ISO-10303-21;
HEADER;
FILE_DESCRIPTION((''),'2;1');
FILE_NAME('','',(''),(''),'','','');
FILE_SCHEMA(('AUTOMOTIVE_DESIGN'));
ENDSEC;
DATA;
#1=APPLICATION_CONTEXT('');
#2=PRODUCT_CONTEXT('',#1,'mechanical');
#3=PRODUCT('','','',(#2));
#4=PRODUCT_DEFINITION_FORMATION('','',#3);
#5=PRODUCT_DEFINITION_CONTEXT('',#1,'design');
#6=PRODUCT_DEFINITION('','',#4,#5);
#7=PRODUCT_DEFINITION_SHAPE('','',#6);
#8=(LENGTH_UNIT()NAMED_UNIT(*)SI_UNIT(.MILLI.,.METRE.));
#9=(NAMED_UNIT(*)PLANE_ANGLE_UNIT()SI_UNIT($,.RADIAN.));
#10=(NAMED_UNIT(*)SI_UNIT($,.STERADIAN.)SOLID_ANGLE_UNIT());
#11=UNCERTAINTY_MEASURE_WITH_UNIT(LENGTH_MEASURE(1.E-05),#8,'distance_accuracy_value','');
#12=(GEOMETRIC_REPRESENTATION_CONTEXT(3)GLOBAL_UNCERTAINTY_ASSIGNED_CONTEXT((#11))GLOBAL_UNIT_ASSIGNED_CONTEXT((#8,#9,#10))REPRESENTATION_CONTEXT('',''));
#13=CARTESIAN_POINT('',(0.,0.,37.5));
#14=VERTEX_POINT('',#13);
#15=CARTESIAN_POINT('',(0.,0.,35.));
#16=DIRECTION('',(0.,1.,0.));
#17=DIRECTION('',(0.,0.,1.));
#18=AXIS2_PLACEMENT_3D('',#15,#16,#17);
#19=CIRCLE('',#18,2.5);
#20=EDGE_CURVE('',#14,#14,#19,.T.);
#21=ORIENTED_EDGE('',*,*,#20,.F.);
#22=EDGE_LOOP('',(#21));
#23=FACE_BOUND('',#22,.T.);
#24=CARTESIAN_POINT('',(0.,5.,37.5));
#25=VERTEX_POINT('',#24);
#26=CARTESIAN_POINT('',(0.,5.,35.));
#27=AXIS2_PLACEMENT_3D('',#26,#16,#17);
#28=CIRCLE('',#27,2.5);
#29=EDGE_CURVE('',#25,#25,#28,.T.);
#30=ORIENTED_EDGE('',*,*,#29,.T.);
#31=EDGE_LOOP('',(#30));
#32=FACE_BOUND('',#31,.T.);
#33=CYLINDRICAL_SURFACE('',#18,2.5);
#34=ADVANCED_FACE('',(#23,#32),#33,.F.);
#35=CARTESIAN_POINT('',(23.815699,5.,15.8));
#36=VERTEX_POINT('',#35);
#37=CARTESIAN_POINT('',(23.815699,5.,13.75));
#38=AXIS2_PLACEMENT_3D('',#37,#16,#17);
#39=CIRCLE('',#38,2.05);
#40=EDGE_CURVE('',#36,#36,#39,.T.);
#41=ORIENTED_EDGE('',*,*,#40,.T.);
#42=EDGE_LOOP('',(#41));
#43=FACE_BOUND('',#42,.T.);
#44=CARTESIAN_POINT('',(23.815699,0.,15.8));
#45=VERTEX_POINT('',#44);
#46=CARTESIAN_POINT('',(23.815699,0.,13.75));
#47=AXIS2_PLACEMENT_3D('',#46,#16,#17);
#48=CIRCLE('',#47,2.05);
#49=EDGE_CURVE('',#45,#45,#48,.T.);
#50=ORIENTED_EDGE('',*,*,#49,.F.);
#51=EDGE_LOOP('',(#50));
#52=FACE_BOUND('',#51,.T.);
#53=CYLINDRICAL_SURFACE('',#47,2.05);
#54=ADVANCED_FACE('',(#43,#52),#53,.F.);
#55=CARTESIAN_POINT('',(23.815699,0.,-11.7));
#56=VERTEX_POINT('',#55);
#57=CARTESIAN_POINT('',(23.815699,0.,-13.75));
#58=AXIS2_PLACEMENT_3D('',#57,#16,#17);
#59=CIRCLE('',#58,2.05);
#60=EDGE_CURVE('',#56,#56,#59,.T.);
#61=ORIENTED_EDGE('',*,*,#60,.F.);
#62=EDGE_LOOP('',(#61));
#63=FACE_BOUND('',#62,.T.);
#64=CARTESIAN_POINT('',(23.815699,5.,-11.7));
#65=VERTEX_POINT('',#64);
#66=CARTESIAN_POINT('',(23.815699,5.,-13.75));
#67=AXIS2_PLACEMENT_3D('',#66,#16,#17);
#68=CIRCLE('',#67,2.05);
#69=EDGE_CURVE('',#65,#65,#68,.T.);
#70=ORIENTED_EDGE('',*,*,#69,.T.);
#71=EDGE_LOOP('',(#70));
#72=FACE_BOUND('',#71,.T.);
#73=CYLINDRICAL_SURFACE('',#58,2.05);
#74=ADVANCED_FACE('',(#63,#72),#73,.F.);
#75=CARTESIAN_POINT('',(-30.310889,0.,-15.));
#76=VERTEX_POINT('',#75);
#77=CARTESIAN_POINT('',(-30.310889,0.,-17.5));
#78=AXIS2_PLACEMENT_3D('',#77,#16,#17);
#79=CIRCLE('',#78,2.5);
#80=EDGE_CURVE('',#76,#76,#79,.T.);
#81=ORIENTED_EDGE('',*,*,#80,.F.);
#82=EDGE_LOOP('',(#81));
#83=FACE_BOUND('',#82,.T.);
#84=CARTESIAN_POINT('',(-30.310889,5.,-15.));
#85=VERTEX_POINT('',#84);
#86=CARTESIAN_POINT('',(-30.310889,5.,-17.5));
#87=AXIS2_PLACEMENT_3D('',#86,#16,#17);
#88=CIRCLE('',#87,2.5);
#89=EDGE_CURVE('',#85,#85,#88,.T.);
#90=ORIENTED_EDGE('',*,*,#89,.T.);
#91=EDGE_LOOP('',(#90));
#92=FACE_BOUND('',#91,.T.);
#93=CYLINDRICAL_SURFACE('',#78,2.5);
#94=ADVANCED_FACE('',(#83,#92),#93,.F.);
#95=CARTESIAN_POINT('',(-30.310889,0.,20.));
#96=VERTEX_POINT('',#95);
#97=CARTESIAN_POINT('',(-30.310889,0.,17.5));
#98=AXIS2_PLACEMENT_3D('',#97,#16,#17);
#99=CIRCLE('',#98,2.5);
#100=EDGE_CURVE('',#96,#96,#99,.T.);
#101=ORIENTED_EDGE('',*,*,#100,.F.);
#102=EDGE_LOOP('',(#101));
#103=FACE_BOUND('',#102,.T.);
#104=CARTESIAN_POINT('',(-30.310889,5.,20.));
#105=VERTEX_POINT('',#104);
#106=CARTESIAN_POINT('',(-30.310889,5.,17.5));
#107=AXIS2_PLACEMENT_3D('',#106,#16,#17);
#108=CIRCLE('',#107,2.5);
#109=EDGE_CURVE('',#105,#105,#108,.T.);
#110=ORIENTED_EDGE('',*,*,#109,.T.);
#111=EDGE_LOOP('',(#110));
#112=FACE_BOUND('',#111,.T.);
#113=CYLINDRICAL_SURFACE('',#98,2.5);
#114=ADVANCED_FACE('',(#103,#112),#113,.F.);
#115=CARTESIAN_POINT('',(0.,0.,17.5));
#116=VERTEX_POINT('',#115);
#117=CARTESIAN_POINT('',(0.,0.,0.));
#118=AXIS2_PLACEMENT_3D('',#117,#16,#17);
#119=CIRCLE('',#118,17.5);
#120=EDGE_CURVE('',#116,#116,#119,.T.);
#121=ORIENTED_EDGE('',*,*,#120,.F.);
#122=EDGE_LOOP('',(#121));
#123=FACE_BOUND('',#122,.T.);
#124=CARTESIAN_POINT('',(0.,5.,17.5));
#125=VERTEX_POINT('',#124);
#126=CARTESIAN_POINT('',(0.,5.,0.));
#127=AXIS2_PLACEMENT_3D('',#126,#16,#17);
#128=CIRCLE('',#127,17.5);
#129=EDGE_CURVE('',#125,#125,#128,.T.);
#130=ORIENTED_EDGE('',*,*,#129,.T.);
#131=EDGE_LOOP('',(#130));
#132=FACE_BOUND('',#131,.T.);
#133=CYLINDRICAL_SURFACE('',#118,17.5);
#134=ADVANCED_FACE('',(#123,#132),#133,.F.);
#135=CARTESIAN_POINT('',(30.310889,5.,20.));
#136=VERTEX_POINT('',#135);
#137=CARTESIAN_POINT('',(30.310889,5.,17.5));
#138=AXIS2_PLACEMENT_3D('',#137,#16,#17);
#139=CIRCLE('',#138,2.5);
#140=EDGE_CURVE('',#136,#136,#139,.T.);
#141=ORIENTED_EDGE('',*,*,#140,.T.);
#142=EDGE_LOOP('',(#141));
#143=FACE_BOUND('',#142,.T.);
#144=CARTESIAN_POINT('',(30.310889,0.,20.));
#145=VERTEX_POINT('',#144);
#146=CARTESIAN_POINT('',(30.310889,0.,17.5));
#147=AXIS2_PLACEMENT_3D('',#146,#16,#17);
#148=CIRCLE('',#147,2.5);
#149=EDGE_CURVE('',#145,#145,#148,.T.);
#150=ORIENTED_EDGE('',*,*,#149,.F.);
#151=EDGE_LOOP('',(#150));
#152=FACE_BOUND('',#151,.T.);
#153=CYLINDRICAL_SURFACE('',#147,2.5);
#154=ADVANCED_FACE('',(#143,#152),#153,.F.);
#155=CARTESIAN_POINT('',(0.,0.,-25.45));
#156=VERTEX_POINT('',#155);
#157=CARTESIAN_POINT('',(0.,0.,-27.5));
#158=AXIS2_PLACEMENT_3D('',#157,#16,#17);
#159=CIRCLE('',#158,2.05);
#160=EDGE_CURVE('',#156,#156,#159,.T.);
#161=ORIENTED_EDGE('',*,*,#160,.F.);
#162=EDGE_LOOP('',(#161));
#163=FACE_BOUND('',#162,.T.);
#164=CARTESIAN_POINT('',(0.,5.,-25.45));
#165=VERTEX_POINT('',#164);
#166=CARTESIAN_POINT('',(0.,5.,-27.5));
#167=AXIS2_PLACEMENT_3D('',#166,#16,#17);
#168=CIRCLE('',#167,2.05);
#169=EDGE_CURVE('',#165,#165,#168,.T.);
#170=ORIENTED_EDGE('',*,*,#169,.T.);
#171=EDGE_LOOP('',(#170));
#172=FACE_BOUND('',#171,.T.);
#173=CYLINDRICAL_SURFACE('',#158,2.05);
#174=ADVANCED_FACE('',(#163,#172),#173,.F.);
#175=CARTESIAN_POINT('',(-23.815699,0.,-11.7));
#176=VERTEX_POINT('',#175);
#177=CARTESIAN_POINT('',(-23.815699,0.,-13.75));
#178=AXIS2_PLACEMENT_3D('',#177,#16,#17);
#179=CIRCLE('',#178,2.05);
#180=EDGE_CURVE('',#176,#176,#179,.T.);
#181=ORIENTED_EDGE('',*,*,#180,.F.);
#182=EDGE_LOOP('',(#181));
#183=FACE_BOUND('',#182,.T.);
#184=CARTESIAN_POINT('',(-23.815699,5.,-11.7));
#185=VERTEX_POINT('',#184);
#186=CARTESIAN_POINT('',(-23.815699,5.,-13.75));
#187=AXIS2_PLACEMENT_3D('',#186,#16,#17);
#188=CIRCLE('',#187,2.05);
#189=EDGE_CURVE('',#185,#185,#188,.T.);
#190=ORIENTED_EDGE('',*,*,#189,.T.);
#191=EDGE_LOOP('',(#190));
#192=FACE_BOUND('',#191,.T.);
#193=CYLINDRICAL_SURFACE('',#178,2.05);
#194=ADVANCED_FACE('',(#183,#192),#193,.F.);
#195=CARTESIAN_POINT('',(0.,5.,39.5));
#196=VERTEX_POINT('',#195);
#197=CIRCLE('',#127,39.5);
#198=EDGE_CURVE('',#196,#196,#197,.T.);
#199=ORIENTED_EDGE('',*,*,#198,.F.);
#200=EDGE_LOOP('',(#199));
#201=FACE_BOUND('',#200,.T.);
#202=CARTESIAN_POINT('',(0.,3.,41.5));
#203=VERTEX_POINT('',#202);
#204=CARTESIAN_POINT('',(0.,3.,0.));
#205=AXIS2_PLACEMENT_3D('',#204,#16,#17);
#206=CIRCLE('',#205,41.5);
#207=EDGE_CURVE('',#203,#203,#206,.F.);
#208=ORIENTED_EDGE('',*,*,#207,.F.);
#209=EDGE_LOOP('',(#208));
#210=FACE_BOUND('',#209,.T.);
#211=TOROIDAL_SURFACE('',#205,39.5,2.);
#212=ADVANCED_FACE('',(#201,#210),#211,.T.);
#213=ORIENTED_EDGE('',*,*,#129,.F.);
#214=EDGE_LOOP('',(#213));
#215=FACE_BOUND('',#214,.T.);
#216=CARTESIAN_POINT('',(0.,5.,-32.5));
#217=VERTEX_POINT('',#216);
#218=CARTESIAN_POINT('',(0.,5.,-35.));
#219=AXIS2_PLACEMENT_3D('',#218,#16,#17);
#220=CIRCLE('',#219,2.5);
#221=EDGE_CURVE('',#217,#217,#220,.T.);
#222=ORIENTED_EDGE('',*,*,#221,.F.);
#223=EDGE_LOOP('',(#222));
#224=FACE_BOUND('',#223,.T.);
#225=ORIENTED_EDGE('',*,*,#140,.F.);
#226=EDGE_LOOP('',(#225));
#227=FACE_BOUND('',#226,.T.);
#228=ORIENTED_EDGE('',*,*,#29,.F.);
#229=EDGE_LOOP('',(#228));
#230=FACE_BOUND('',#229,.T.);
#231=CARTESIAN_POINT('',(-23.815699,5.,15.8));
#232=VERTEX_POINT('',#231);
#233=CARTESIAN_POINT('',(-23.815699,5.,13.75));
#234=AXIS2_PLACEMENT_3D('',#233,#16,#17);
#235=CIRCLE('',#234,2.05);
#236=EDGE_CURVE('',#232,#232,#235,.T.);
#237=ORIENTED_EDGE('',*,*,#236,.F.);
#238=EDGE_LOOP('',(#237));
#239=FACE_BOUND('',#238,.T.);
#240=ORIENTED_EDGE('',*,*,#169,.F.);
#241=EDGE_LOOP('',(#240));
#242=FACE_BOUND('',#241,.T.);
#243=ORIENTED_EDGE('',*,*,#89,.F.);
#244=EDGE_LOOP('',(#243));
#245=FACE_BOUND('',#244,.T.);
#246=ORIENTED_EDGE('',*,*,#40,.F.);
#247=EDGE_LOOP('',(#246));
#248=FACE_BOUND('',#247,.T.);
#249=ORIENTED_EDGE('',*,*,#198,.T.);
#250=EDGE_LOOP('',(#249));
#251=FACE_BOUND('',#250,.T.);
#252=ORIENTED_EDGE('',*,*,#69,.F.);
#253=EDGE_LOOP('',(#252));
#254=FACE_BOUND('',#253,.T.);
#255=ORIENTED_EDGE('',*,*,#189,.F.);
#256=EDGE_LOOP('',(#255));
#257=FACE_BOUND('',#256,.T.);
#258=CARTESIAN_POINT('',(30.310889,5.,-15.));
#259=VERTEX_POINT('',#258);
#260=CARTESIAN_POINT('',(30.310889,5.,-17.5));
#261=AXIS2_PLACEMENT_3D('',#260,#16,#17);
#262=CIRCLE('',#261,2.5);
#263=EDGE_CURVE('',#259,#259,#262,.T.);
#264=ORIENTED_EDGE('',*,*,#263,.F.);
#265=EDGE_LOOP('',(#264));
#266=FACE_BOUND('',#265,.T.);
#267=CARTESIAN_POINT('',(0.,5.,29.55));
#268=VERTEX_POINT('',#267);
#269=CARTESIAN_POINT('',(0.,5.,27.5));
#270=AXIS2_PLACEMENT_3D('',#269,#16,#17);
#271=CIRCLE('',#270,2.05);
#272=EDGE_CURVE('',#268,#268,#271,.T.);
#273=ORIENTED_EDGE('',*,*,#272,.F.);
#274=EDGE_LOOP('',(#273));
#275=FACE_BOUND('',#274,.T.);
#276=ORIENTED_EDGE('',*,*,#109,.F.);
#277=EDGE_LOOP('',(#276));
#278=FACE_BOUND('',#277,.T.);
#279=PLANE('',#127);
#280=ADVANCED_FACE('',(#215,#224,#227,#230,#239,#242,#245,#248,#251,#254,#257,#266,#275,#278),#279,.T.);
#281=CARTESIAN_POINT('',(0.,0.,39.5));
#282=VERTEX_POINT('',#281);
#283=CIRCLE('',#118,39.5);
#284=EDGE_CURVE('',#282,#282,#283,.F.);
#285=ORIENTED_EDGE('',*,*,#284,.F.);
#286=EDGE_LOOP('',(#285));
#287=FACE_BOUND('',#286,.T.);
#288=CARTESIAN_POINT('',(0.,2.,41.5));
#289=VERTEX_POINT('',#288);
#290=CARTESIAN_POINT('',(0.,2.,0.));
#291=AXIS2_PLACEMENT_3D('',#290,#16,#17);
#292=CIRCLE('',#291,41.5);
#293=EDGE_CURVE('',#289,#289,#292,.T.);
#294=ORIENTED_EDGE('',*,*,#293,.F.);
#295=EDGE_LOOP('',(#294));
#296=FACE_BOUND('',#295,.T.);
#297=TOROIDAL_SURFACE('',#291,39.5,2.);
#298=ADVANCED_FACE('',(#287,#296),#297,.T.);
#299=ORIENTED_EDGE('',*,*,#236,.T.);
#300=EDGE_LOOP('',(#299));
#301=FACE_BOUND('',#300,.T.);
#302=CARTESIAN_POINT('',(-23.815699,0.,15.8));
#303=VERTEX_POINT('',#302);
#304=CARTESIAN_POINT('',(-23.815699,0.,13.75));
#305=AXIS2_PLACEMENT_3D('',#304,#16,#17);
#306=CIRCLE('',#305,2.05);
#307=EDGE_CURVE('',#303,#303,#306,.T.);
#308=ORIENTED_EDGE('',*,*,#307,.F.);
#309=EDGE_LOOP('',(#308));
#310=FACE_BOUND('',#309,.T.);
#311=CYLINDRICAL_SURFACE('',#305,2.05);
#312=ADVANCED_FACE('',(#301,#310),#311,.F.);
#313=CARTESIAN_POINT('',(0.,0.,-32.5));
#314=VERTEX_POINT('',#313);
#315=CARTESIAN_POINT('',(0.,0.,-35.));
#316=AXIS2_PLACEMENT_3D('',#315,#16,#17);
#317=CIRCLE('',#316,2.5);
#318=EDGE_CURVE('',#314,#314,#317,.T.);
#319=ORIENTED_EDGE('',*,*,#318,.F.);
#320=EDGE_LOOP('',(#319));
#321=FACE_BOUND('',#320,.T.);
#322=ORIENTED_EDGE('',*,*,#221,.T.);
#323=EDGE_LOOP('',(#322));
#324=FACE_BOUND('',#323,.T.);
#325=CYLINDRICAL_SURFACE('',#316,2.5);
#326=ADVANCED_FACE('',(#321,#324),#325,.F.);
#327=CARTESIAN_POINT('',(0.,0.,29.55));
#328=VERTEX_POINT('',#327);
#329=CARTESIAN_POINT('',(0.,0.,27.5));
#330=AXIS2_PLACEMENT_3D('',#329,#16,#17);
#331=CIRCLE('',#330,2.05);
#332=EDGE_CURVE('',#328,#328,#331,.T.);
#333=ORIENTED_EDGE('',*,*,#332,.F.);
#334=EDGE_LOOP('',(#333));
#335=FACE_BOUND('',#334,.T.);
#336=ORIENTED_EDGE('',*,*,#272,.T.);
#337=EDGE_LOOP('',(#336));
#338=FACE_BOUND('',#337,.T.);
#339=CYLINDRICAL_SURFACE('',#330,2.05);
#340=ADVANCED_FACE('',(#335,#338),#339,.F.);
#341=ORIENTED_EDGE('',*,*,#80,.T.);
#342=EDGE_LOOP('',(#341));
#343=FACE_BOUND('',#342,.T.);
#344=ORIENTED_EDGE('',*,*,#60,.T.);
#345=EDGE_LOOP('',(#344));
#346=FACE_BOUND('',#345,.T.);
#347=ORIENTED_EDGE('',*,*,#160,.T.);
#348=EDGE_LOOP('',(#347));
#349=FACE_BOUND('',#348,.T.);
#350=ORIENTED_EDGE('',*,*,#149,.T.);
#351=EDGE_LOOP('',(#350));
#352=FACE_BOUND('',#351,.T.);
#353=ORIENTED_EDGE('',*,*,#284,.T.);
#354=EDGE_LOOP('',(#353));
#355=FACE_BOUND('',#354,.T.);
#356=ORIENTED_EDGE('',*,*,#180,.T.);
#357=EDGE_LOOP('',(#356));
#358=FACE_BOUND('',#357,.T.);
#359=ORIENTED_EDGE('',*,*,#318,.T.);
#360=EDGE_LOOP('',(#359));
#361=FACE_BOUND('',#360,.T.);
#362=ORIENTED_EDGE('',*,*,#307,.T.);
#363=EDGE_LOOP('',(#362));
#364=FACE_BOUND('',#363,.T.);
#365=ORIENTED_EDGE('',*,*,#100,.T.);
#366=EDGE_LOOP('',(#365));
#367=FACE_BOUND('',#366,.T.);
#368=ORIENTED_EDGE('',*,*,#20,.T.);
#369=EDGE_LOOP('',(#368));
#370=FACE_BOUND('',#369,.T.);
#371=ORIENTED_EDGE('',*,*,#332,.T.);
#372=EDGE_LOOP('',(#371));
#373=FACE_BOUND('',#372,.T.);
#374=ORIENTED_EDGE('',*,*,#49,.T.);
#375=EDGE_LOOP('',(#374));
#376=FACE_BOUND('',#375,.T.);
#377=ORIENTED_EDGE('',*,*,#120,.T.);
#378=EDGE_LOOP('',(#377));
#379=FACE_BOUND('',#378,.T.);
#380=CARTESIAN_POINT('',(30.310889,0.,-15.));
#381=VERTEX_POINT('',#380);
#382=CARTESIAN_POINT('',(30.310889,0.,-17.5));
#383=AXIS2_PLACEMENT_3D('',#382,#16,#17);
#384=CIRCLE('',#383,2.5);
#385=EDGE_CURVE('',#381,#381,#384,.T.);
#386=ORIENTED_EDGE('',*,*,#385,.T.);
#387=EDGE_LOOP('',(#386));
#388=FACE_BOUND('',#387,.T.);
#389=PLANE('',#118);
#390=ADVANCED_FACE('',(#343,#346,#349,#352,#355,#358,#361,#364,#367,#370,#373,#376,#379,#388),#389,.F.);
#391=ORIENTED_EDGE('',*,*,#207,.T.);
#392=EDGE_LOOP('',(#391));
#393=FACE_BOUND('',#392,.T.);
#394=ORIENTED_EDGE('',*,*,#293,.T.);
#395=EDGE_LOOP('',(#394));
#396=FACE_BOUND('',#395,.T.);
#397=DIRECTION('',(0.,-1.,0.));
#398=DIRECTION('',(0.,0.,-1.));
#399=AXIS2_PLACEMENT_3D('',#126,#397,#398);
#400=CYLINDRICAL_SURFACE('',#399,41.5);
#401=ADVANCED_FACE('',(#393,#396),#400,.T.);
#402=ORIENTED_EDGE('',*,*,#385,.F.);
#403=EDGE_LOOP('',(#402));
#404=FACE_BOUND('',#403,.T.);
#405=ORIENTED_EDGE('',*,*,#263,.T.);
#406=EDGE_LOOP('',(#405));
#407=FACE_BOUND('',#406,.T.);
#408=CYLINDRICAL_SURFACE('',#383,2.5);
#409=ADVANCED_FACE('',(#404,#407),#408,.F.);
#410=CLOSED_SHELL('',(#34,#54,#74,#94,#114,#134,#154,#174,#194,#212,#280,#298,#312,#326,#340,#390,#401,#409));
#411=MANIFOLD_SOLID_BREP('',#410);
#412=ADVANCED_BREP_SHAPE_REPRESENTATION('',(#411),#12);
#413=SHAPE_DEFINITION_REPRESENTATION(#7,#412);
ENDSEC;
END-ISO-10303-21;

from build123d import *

# Parameters (mm, degrees)
SKETCH1_R             = 41.5
MAIN_PLATE_DEPTH      = 5
SKETCH2_R             = 2.05
CUT_EXTRUDE_G27_DEPTH = 59.902461748
SKETCH3_R             = 2.5
MOMO_SPARKO_DEPTH     = 59.902461748
SKETCH4_R             = 17.5
CENTER_HOLE_DEPTH     = 59.902461748
FILLET1_R             = 2
FILLET2_R             = 2


with BuildPart() as part:
    # Sketch1 → Main Plate (new body)
    with BuildSketch(Plane(origin=(0, 0, 0), x_dir=(1, 0, 0), z_dir=(0, 1, 0))):
        with Locations(Location((0, 0, 0), (0, 0, 270))):
            Circle(SKETCH1_R)
    extrude(amount=MAIN_PLATE_DEPTH)

    # Sketch2 → Cut-Extrude G27 (cut, through all)
    with BuildSketch(Plane(origin=(0, 5, 0), x_dir=(1, 0, 0), z_dir=(0, 1, 0))):
        with Locations(Location((0, 27.5, 0), (0, 0, 270))):
            Circle(SKETCH2_R)
        with Locations(Location((23.815698604, 13.75, 0), (0, 0, 270))):
            Circle(SKETCH2_R)
        with Locations(Location((23.815698604, -13.75, 0), (0, 0, 270))):
            Circle(SKETCH2_R)
        with Locations(Location((0, -27.5, 0), (0, 0, 270))):
            Circle(SKETCH2_R)
        with Locations(Location((-23.815698604, -13.75, 0), (0, 0, 270))):
            Circle(SKETCH2_R)
        with Locations(Location((-23.815698604, 13.75, 0), (0, 0, 270))):
            Circle(SKETCH2_R)
    extrude(amount=-CUT_EXTRUDE_G27_DEPTH, mode=Mode.SUBTRACT)

    # Sketch3 → Momo - Sparko (cut, through all)
    with BuildSketch(Plane(origin=(0, 5, 0), x_dir=(1, 0, 0), z_dir=(0, 1, 0))):
        with Locations(Location((0, 35, 0), (0, 0, 270))):
            Circle(SKETCH3_R)
        with Locations(Location((30.310889132, 17.5, 0), (0, 0, 270))):
            Circle(SKETCH3_R)
        with Locations(Location((30.310889132, -17.5, 0), (0, 0, 270))):
            Circle(SKETCH3_R)
        with Locations(Location((0, -35, 0), (0, 0, 270))):
            Circle(SKETCH3_R)
        with Locations(Location((-30.310889132, -17.5, 0), (0, 0, 270))):
            Circle(SKETCH3_R)
        with Locations(Location((-30.310889132, 17.5, 0), (0, 0, 270))):
            Circle(SKETCH3_R)
    extrude(amount=-MOMO_SPARKO_DEPTH, mode=Mode.SUBTRACT)

    # Sketch4 → Center Hole (cut, through all)
    with BuildSketch(Plane(origin=(0, 5, 0), x_dir=(1, 0, 0), z_dir=(0, 1, 0))):
        with Locations(Location((0, 0, 0), (0, 0, 270))):
            Circle(SKETCH4_R)
    extrude(amount=-CENTER_HOLE_DEPTH, mode=Mode.SUBTRACT)

    # Fillet1
    fillet1_edges = [part.edges().sort_by_distance(p)[0] for p in [
        (0, 5, -41.5),
    ]]
    fillet(fillet1_edges, radius=FILLET1_R)

    # Fillet2
    fillet2_edges = [part.edges().sort_by_distance(p)[0] for p in [
        (0, 0, -41.5),
    ]]
    fillet(fillet2_edges, radius=FILLET2_R)


solid = part.part
